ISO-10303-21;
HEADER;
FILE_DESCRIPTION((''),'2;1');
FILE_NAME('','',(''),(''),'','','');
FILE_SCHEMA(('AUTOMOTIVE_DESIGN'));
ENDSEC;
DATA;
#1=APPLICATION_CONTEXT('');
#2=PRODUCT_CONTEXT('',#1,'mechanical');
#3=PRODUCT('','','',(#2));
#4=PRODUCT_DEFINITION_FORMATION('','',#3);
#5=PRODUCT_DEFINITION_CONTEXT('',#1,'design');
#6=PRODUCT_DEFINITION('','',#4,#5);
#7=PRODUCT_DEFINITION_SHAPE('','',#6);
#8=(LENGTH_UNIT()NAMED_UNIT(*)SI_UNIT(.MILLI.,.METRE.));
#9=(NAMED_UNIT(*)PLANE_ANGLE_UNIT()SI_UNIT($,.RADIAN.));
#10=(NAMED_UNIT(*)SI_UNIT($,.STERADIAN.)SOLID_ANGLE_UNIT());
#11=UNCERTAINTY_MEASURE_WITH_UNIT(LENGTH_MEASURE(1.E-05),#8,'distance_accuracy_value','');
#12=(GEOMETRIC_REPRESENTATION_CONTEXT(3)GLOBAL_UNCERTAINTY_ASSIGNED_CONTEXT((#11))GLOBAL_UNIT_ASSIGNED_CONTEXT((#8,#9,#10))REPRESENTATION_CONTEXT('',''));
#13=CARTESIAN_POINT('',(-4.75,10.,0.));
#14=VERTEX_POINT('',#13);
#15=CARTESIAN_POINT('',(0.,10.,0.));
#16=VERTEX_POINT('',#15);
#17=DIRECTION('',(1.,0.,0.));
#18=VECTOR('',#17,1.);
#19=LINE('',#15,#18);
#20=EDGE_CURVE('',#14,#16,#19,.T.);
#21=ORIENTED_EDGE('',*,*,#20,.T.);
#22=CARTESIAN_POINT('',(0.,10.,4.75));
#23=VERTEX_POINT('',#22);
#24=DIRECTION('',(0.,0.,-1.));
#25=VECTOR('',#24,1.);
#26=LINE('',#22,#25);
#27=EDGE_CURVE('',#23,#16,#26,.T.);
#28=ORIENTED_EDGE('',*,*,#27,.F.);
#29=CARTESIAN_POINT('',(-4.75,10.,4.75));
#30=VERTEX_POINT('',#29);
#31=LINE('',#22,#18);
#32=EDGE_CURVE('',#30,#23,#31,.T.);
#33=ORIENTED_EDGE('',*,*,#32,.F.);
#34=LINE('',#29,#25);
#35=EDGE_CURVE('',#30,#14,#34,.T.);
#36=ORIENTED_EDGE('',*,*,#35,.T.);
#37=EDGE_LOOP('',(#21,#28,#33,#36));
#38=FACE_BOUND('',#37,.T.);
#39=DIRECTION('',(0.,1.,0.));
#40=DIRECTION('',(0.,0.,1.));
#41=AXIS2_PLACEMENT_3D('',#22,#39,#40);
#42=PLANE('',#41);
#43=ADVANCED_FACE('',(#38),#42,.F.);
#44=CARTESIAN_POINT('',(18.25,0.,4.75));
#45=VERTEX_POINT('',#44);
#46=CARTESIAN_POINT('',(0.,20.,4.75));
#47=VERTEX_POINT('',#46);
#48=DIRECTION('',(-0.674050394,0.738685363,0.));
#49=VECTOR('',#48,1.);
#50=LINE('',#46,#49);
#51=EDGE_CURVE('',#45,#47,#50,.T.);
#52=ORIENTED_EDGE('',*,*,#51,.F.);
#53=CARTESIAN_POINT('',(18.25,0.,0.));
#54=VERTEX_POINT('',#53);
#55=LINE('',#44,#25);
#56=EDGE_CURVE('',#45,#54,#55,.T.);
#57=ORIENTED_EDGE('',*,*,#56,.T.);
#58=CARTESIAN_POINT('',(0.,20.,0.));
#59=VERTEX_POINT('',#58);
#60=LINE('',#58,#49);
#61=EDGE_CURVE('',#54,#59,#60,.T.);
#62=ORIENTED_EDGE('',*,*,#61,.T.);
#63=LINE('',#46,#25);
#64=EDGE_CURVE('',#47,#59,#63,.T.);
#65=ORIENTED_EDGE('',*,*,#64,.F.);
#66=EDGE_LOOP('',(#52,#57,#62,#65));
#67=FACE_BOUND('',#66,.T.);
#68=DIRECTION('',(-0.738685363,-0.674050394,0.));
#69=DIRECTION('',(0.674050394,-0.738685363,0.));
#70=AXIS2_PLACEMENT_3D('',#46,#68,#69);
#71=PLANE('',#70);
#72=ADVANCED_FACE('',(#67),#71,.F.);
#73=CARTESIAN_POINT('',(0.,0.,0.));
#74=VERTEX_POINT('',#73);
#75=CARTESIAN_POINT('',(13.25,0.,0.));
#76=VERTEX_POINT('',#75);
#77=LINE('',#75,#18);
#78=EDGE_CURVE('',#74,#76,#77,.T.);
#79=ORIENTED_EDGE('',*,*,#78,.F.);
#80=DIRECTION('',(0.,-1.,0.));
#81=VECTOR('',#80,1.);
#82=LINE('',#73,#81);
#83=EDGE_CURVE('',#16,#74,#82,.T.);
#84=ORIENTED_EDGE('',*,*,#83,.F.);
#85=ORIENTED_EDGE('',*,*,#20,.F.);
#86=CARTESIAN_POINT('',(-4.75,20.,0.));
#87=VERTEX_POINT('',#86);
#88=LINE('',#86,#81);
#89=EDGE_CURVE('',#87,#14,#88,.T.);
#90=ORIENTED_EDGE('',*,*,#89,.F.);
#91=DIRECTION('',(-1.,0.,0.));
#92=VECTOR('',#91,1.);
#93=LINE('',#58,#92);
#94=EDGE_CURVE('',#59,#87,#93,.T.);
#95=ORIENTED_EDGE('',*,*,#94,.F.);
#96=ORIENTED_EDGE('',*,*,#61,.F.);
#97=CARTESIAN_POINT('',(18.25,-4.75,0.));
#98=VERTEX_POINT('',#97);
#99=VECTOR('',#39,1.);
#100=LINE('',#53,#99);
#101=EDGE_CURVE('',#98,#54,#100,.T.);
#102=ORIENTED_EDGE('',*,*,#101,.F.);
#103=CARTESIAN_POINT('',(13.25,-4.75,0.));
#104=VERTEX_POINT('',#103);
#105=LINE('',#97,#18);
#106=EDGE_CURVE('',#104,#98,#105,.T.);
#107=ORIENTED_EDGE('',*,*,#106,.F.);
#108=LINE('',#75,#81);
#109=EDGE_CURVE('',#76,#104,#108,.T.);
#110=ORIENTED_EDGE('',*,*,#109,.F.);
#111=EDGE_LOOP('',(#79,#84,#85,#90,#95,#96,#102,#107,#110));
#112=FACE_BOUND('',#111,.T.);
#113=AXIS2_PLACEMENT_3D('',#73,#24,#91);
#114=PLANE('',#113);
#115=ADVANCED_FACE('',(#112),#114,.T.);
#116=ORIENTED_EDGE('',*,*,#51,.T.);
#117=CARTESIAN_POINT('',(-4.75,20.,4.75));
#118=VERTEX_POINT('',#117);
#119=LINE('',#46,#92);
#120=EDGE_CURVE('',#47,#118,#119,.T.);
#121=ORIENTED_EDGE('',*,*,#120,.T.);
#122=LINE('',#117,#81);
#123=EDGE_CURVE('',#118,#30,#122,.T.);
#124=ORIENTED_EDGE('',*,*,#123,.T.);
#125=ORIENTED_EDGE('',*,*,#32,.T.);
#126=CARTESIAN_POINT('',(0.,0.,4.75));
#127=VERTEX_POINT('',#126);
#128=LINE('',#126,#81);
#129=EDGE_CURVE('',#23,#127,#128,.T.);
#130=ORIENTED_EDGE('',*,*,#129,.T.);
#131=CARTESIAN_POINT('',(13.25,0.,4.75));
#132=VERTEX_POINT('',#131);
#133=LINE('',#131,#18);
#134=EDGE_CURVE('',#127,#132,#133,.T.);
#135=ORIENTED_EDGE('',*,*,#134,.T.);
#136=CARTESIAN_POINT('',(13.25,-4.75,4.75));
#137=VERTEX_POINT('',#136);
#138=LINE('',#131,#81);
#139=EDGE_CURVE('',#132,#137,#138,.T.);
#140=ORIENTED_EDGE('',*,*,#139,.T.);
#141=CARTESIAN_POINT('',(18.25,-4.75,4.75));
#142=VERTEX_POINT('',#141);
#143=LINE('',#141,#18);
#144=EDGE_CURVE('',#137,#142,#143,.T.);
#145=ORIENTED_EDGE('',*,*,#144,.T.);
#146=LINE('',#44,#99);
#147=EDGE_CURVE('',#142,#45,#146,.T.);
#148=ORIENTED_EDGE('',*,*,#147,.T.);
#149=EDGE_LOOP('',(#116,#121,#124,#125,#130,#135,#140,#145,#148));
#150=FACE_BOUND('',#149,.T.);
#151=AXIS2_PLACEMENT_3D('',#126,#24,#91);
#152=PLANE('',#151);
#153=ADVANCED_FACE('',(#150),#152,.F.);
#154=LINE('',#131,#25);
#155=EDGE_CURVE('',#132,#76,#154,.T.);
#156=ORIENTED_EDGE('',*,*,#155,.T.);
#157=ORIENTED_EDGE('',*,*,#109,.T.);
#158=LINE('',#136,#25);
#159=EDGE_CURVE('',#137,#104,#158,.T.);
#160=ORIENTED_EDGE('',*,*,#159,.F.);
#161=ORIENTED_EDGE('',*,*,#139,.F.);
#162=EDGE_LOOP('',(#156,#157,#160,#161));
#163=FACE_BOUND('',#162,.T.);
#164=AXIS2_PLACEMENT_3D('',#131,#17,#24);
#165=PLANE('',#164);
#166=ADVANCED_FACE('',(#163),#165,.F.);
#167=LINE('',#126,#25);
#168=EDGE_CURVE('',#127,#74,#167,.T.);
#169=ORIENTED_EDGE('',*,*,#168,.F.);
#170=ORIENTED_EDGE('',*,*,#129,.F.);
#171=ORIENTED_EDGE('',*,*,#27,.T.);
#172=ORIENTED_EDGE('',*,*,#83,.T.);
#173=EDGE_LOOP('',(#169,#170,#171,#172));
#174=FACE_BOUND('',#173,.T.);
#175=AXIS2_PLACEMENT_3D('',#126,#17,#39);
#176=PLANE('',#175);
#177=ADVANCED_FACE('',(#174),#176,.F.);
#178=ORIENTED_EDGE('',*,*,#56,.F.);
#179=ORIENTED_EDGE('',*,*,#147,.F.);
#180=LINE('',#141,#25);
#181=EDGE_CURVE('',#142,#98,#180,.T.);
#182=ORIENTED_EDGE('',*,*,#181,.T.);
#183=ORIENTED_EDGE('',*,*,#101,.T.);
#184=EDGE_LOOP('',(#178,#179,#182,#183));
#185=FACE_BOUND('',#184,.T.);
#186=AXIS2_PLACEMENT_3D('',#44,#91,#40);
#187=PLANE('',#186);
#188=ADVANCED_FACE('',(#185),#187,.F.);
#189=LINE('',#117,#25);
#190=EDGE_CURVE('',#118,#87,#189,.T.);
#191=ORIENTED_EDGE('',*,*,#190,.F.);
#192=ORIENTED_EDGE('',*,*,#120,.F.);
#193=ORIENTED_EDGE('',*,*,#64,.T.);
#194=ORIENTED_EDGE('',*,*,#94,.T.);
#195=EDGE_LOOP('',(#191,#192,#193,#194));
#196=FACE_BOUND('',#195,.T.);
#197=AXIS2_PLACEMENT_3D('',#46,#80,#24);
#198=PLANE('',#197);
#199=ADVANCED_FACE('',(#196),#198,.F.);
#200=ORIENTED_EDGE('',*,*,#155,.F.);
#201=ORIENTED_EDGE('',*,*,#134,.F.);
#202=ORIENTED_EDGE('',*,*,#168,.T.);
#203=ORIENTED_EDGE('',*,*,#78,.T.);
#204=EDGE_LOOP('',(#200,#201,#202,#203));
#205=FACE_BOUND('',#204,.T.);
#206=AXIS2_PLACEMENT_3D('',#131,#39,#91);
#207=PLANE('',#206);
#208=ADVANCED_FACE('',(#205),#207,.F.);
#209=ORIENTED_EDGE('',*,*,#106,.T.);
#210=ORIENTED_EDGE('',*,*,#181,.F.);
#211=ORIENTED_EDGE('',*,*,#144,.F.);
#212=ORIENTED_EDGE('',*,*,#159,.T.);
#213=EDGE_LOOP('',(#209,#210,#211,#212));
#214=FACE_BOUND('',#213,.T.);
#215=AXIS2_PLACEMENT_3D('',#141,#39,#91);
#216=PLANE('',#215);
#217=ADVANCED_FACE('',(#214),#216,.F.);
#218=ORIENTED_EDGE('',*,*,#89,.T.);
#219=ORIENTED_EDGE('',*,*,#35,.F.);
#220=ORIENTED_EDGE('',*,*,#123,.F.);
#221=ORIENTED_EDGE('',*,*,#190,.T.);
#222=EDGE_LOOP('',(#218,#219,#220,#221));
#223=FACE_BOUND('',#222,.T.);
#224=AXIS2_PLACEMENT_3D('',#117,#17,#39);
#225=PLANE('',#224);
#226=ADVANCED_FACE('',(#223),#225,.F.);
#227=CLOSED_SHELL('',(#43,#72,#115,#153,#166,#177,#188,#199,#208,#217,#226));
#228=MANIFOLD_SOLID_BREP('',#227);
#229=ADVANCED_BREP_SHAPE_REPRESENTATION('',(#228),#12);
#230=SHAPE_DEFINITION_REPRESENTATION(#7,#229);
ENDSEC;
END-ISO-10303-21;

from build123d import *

# Parameters (mm, degrees)
BOSS_EXTRUDE1_DEPTH = 4.75


with BuildPart() as part:
    # Sketch1 → Boss-Extrude1 (new body)
    with BuildSketch(Plane.XY):
        Polygon((0, 0), (0, 10), (-4.75, 10), (-4.75, 20), (0, 20), (18.25, 0), (18.25, -4.75), (13.25, -4.75), (13.25, 0), align=None)
    extrude(amount=BOSS_EXTRUDE1_DEPTH)


solid = part.part
